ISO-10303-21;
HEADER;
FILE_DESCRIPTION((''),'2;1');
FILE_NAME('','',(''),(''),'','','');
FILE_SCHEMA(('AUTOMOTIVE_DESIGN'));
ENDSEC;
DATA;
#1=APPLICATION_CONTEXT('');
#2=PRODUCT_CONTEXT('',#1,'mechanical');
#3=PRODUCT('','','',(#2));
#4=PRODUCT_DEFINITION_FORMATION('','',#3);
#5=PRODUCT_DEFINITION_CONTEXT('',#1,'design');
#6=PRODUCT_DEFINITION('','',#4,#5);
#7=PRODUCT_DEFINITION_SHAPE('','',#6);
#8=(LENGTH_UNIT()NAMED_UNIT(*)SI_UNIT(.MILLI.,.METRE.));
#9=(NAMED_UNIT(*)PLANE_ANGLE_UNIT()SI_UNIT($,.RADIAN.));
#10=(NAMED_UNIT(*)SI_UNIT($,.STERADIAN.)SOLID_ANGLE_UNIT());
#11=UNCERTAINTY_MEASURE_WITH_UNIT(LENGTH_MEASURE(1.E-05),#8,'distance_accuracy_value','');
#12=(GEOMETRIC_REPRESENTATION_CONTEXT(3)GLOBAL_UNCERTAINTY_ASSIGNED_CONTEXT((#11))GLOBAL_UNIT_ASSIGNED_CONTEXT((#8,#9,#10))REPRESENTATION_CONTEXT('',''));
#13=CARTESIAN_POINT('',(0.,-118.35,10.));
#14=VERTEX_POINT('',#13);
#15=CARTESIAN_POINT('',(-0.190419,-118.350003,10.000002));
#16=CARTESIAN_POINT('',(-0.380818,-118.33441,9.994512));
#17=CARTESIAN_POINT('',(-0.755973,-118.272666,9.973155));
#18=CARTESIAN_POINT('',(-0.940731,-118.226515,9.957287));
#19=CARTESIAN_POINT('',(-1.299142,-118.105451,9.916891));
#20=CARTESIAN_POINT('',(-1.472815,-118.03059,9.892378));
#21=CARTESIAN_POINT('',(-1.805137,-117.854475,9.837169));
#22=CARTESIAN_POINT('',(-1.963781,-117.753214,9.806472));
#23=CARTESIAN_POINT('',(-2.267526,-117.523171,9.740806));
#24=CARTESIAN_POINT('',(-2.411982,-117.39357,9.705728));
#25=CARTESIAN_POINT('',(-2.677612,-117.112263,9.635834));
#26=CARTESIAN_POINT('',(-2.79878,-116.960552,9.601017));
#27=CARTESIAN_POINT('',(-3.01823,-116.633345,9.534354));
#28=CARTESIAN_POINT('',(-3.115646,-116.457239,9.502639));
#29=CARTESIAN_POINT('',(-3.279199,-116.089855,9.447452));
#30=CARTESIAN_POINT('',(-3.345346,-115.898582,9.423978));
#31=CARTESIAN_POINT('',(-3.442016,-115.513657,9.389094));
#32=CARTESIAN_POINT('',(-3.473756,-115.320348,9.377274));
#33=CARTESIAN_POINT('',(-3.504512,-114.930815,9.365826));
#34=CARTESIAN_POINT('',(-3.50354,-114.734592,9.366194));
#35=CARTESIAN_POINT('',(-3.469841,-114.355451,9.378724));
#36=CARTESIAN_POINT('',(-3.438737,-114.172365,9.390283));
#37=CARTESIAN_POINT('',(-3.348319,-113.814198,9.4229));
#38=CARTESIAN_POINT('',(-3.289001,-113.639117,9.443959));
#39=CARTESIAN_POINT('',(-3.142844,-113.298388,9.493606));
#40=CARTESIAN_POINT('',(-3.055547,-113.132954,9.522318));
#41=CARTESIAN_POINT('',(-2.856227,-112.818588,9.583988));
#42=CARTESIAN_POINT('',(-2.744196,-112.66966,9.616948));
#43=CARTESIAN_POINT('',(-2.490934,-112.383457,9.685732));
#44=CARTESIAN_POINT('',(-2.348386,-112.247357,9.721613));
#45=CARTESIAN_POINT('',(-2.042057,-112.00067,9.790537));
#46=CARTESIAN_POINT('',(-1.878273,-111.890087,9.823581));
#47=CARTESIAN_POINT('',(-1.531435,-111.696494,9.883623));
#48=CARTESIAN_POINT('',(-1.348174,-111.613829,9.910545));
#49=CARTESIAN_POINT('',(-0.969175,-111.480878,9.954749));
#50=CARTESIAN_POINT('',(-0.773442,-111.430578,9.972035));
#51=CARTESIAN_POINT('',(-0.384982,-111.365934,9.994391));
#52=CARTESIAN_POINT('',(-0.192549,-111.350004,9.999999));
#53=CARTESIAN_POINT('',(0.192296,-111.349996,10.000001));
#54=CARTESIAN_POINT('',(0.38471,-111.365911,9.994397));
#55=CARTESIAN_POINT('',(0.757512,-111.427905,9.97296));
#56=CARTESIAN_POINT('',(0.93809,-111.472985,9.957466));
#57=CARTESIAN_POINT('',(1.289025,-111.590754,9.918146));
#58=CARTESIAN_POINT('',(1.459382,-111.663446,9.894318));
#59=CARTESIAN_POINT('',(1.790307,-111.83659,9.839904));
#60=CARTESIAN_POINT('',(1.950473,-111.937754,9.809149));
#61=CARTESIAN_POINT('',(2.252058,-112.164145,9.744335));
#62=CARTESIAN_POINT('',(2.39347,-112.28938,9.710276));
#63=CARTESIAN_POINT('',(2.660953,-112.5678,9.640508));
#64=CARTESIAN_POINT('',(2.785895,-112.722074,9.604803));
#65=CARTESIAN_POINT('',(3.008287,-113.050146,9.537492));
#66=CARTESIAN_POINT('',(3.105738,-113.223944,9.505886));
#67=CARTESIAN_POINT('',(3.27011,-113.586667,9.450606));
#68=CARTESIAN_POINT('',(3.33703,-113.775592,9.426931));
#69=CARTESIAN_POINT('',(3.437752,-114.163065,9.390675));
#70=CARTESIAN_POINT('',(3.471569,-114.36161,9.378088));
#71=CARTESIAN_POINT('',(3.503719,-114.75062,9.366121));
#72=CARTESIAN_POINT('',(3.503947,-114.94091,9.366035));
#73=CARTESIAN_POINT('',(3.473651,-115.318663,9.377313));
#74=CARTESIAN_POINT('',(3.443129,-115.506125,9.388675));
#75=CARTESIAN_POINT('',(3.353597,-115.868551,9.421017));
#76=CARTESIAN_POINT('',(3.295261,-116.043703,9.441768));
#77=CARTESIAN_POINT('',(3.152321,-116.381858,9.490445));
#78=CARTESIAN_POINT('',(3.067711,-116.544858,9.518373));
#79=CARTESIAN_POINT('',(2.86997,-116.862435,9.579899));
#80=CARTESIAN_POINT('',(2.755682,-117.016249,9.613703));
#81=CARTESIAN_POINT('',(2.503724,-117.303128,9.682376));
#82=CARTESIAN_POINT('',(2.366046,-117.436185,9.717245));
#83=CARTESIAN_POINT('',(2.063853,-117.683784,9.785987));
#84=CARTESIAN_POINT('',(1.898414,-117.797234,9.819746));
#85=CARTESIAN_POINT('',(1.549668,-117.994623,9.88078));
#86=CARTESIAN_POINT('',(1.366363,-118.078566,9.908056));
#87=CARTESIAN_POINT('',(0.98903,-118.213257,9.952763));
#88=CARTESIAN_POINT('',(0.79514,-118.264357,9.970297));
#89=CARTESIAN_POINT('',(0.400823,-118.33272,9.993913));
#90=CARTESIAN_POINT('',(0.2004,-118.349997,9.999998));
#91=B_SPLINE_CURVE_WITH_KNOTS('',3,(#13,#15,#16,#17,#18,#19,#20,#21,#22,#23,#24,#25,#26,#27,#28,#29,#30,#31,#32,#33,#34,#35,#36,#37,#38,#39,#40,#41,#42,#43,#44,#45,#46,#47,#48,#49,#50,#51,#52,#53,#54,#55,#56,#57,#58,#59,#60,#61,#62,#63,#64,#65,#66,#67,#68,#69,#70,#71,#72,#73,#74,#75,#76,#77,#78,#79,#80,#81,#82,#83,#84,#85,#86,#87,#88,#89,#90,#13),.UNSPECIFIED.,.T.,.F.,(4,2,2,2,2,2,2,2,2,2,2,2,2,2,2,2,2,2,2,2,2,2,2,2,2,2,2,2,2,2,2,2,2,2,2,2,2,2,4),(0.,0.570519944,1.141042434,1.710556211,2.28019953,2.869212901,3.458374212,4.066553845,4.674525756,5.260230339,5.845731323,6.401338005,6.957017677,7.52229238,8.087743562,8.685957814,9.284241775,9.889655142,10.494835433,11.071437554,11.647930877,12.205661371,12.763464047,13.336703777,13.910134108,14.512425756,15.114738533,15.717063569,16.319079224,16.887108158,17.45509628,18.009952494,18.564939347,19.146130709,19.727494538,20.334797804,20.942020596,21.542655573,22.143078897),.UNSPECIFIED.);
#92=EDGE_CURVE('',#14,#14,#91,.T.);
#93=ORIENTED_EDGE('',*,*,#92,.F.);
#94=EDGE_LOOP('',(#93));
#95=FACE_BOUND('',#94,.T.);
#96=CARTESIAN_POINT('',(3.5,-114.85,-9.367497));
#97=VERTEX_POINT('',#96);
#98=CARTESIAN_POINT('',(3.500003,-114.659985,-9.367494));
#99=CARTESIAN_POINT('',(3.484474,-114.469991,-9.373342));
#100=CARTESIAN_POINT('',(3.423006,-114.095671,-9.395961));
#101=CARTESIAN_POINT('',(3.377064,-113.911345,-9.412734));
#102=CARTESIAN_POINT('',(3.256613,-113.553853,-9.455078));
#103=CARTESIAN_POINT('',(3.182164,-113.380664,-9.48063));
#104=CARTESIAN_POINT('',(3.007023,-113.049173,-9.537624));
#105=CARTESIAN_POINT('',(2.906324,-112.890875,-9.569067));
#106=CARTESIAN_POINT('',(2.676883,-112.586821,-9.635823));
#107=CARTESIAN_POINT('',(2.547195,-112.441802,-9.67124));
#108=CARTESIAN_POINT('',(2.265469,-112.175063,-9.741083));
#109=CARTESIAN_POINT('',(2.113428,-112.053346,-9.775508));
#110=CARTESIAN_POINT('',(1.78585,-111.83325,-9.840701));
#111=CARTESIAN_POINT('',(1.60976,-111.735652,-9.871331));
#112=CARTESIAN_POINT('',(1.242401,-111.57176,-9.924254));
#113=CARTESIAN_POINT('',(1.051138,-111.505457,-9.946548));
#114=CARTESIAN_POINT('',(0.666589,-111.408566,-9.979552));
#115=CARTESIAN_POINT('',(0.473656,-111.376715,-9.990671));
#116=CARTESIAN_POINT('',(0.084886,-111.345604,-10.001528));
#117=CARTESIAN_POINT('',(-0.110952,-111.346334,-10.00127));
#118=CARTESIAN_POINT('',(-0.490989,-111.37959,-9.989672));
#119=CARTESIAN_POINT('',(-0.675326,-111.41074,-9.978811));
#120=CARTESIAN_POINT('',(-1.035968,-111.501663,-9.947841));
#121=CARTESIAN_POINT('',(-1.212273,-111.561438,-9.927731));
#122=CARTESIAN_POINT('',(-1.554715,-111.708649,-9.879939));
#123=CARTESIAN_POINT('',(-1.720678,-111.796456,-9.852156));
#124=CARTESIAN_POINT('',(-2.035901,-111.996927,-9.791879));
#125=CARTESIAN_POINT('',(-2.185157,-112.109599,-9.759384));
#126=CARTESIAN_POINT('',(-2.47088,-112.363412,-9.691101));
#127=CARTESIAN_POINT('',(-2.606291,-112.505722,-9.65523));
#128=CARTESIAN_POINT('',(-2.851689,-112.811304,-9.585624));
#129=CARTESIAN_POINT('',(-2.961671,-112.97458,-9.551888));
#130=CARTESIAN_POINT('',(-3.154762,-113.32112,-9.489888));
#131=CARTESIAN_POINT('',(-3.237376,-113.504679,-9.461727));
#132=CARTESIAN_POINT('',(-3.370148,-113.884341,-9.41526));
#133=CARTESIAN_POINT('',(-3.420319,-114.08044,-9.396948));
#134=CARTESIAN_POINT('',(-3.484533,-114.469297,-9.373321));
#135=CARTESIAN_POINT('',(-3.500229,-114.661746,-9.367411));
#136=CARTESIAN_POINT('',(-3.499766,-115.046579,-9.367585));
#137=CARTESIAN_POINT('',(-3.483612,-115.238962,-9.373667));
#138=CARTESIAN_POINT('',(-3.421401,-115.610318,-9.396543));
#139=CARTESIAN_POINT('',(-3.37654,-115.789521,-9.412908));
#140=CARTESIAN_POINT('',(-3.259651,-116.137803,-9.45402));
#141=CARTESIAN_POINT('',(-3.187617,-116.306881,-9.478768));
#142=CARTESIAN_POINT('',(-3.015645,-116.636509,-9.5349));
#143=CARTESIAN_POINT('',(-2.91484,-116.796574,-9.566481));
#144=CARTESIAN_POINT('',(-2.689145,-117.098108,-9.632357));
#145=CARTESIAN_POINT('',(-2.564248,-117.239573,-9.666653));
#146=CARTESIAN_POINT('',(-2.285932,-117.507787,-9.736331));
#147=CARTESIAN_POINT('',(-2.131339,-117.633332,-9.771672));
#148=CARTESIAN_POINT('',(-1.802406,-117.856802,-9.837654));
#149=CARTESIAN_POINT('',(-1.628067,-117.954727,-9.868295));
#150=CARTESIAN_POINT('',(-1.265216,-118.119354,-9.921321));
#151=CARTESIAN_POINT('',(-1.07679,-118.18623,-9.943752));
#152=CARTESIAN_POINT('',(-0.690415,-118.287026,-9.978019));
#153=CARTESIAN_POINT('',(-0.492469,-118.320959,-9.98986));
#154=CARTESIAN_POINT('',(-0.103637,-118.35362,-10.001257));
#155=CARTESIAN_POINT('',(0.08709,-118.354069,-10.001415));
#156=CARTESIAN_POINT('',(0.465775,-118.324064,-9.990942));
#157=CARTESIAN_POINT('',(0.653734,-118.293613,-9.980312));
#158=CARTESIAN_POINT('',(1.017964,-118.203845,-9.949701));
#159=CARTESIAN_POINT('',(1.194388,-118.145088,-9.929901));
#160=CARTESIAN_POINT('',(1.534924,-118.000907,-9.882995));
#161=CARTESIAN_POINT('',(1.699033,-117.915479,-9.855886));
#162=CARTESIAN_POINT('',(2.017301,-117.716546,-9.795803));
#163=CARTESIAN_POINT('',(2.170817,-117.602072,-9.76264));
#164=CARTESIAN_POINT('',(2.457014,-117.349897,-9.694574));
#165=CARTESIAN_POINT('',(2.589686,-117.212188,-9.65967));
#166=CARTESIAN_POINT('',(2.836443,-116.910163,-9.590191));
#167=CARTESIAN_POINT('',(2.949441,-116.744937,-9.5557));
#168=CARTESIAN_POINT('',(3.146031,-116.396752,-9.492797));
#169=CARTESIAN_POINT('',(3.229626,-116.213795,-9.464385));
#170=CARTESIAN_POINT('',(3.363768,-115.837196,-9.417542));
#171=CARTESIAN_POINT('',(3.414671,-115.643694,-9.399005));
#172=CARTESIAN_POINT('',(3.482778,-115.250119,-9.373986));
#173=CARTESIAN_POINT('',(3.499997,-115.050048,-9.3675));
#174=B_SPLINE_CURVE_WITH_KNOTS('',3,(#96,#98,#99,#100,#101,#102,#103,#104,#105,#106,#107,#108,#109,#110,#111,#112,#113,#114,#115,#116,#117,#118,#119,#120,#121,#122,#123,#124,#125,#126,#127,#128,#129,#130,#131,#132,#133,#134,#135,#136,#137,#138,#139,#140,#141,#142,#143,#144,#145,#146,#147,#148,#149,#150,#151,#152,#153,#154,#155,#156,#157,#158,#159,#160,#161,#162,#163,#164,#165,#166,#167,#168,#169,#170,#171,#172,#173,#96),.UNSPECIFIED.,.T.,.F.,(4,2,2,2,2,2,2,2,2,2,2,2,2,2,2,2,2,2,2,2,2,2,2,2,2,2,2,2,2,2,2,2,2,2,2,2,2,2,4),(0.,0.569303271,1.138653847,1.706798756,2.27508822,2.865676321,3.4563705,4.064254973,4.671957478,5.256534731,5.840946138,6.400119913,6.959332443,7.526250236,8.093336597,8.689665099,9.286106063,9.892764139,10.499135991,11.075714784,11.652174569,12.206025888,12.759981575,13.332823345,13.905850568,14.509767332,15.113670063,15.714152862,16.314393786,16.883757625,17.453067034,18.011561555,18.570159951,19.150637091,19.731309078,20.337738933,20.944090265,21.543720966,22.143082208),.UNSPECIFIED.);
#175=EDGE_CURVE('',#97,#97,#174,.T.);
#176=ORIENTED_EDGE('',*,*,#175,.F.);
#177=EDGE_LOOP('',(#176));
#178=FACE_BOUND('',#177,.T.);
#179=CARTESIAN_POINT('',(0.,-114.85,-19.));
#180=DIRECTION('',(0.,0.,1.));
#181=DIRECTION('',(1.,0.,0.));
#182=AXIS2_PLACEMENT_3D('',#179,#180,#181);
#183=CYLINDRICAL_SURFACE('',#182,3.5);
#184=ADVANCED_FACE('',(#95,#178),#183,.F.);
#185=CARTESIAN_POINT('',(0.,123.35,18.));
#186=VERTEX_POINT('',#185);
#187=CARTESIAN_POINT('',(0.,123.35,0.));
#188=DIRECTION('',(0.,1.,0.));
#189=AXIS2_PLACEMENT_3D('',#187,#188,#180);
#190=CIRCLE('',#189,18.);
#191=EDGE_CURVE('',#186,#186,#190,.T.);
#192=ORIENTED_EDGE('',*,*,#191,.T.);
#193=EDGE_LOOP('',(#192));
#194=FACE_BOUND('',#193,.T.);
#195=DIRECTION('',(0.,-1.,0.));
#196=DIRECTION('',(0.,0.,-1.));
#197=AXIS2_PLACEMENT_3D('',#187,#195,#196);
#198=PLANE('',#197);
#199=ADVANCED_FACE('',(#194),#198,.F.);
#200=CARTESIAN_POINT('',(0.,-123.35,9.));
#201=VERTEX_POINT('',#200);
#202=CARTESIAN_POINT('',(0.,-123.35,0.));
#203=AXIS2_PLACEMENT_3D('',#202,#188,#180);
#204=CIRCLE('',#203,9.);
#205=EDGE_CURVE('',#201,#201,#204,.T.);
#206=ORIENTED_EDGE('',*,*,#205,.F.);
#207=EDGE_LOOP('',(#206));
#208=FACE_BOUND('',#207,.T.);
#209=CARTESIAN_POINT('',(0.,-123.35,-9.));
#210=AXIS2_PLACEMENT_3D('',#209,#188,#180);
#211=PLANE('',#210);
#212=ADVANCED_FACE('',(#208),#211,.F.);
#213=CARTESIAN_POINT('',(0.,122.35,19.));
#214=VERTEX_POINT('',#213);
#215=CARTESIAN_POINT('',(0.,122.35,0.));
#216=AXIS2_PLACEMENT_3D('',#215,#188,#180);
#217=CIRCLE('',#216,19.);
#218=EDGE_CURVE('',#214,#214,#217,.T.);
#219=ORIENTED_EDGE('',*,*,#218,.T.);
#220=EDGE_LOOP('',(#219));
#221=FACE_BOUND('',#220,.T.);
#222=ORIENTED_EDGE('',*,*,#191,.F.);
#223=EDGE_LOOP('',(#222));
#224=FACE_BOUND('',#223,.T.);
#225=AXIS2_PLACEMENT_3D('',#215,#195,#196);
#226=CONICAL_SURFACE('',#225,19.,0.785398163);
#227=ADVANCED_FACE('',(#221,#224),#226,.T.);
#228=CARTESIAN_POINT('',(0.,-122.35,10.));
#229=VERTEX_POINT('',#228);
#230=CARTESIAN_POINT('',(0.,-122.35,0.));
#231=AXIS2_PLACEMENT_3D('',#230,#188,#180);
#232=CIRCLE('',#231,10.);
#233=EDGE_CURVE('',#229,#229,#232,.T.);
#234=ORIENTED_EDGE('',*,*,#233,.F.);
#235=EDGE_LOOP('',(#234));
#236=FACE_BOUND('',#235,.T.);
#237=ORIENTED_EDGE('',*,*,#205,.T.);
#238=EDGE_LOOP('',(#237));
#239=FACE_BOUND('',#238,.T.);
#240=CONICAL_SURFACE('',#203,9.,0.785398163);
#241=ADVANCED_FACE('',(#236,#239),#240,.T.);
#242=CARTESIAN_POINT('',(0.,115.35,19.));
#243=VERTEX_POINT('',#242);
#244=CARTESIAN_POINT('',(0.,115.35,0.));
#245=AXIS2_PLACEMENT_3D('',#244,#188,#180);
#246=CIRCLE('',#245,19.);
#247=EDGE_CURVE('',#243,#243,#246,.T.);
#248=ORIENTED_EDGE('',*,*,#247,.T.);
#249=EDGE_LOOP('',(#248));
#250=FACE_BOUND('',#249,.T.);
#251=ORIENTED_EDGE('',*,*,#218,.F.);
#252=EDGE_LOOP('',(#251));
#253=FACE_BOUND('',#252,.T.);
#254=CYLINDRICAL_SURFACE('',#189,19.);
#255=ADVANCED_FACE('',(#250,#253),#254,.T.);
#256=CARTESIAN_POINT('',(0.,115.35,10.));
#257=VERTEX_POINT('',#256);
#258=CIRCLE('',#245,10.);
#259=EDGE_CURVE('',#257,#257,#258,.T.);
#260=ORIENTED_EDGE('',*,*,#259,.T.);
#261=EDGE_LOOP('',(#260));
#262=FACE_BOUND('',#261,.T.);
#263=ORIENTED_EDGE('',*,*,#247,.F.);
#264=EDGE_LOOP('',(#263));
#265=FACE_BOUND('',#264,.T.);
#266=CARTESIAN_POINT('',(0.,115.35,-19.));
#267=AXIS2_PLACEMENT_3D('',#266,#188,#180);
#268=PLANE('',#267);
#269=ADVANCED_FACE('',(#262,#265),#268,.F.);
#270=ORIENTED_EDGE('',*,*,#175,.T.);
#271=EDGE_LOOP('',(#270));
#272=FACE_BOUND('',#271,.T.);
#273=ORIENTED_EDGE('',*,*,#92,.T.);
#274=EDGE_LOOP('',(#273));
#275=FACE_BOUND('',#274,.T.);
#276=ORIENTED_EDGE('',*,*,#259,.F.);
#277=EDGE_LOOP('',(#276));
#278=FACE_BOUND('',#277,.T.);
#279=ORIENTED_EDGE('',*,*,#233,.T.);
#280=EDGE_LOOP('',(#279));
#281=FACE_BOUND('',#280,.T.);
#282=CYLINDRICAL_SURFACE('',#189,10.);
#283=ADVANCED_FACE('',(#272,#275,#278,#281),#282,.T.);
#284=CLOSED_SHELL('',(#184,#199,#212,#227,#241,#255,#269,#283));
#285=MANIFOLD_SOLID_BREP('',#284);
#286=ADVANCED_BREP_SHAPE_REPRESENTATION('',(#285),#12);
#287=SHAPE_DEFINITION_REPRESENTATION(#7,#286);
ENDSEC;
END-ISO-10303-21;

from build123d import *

# Parameters (mm, degrees)
CORTE_EXTRUS_O1_DEPTH      = 127.242712661
CORTE_EXTRUS_O1_DEPTH_BACK = 127.242712661
ESBO_O2_R                  = 3.5


with BuildPart() as part:
    # Esboço1 → Revolução1 (revolve)
    with BuildSketch(Plane(origin=(0, 0, 0), x_dir=(0, 0, -1), z_dir=(1, 0, 0)), mode=Mode.PRIVATE) as revolu_o1_sk:
        Polygon((0, 123.35), (18, 123.35), (19, 122.35), (19, 115.35), (10, 115.35), (10, -122.35), (9, -123.35), (0, -123.35), align=None)
    revolve(revolu_o1_sk.sketch.rotate(Axis((0, 123.35, 0), (0, -1, 0)), 180), axis=Axis((0, 123.35, 0), (0, -1, 0)))

    # Esboço2 → Corte-extrusão1 (cut, two sides: drawn at the far end of the back side and taken through both)
    with BuildSketch(Plane.XY.offset(-CORTE_EXTRUS_O1_DEPTH_BACK)):
        with Locations((0, -114.85)):
            Circle(ESBO_O2_R)
    extrude(amount=CORTE_EXTRUS_O1_DEPTH + CORTE_EXTRUS_O1_DEPTH_BACK, mode=Mode.SUBTRACT)


solid = part.part
